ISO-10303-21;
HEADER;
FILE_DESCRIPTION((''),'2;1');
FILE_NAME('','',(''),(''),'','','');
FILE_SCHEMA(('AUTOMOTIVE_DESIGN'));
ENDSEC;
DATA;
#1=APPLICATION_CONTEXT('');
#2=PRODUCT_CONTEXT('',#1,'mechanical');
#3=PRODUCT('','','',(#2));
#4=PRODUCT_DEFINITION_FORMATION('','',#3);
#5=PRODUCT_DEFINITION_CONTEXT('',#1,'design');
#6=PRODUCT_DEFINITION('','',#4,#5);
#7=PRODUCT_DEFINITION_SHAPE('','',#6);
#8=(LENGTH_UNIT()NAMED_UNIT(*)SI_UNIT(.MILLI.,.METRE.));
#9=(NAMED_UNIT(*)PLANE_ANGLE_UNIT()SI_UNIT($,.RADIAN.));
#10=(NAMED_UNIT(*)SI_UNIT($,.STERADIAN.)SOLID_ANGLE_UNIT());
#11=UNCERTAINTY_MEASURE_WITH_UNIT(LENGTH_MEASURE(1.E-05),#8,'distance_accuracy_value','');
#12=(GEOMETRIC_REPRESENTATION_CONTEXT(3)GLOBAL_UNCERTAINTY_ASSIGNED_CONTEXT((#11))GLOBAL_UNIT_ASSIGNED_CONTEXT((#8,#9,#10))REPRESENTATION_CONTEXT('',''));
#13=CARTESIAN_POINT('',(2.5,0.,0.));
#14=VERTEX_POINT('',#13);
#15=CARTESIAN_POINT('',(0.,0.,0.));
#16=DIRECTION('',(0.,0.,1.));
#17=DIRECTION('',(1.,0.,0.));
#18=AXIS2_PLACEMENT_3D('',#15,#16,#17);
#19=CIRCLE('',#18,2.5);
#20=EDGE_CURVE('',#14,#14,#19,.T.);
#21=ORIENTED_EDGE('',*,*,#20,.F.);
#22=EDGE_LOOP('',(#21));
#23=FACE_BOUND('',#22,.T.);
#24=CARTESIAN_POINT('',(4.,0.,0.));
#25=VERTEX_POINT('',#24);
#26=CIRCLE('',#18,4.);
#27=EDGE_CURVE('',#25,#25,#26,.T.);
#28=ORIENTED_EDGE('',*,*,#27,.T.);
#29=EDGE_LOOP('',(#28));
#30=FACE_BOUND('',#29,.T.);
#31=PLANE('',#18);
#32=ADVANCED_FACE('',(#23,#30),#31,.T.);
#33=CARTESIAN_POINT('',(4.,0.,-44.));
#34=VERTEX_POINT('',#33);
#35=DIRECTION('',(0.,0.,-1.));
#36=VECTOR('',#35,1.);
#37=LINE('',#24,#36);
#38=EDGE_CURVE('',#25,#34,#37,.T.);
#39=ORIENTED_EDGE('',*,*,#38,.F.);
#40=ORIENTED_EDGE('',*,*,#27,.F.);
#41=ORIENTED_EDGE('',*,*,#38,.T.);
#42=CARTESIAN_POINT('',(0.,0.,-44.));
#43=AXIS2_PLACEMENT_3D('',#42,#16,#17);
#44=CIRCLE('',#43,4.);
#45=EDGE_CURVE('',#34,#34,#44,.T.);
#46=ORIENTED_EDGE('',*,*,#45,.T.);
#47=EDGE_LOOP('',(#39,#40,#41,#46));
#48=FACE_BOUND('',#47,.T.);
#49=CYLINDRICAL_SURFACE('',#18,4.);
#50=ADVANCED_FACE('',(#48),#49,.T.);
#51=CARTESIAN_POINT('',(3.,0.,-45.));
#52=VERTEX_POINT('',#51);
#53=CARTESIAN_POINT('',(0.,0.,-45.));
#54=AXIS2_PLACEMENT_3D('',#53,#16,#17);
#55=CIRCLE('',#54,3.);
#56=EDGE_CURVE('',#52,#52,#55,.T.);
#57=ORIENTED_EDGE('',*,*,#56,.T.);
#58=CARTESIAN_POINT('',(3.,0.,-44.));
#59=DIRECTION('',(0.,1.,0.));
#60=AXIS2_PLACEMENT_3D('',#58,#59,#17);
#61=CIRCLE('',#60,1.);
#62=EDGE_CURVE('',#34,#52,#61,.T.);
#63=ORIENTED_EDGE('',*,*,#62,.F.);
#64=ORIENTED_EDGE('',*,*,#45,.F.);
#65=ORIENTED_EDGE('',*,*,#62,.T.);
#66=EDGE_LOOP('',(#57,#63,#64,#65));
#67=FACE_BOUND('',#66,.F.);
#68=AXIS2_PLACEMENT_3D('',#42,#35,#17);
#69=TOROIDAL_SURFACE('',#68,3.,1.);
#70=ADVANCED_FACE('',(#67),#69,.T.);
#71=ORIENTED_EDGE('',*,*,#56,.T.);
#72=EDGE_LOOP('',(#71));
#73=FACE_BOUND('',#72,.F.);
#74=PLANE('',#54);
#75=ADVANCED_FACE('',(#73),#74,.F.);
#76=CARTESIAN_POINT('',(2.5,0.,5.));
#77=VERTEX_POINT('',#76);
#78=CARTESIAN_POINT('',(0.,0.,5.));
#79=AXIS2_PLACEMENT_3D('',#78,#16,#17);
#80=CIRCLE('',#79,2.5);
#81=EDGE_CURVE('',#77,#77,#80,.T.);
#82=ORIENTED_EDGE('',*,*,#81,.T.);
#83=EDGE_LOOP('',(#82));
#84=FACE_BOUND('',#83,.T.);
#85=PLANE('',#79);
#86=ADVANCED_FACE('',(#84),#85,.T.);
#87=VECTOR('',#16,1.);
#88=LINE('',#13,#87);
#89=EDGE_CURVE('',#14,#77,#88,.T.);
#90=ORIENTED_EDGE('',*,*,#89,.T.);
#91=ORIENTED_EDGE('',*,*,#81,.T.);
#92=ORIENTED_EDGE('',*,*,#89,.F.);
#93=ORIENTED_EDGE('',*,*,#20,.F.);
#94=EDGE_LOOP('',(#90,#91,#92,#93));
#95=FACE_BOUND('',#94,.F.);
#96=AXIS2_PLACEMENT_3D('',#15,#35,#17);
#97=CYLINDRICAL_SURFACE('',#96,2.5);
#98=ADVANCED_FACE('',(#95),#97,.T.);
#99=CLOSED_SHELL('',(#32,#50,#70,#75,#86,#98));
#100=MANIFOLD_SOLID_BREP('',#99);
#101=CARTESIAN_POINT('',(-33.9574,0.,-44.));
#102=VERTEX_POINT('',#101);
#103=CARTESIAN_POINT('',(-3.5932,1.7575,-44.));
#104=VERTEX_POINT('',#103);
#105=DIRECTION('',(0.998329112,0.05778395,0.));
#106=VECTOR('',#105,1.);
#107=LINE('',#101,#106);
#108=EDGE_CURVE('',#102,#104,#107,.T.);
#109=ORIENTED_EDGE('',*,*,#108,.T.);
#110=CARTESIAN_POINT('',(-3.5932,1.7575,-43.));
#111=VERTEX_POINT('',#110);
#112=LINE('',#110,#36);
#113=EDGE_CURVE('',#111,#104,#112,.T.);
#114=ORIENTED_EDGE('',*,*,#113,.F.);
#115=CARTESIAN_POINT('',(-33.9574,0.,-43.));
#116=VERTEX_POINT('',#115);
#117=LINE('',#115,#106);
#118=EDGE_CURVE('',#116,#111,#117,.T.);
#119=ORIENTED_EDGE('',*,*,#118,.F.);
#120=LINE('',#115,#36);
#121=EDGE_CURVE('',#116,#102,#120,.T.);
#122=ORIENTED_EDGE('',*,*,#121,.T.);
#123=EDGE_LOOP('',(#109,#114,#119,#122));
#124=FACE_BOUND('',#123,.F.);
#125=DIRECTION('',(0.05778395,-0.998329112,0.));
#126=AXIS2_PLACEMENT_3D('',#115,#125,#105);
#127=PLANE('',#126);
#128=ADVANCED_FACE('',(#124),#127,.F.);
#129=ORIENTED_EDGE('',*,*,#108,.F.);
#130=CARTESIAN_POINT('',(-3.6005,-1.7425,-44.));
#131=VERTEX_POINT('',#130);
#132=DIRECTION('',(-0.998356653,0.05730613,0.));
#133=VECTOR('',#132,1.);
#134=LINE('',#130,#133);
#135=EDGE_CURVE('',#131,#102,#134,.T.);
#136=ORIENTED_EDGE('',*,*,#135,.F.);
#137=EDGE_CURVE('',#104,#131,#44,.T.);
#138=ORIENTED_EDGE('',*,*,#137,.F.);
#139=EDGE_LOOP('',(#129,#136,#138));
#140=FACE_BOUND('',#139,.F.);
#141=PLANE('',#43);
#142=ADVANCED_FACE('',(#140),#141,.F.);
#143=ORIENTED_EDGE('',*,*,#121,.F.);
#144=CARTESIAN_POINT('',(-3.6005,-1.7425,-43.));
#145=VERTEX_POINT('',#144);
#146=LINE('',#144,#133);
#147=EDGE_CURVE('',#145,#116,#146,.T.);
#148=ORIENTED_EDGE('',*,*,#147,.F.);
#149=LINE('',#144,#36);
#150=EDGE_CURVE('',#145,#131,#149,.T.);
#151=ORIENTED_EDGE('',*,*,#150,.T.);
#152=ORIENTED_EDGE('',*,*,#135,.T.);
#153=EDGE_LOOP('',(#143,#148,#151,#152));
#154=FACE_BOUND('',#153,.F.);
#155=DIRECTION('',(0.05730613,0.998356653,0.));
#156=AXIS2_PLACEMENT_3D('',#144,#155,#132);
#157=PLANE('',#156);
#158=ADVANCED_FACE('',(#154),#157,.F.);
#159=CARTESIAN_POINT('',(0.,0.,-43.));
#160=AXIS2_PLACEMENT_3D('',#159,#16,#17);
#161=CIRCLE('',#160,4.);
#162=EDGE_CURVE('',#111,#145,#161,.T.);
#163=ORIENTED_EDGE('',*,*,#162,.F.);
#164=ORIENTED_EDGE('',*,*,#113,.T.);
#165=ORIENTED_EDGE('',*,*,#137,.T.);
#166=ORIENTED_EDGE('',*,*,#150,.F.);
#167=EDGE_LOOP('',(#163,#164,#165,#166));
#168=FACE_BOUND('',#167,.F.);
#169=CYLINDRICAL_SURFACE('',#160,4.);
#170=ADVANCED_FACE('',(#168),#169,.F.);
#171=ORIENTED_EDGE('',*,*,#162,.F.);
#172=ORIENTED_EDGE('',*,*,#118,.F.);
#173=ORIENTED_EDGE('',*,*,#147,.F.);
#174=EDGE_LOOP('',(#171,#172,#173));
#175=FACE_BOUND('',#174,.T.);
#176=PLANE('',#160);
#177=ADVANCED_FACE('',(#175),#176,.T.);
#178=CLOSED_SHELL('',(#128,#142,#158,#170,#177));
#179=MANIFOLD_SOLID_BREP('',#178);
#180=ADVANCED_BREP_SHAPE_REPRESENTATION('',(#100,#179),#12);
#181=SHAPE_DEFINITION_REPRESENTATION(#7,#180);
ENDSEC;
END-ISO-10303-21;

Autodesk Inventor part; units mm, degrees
ref_plane "YZ Plane" through (0, 0, 0) normal (1, 0, 0) x (0, 1, 0)
ref_plane "XZ Plane" through (0, 0, 0) normal (0, 1, 0) x (-1, 0, 0)
sketch "Sketch1" plane through (0, 0, 0) normal (0, 0, 1) x (1, 0, 0)
  circle A0 centre (0, 0) radius 4
  circle A1 centre (0, 0) radius 2.5
  dimension "d0" = 8
  dimension "d19" = 5
extrude "Extrusion4" add sketch "Sketch1" against normal blind 40 contours A0 | A1
extrude "Extrusion5" add sketch "Sketch1" against normal blind 45 contours A0 | A1
extrude "Extrusion6" add sketch "Sketch1" along normal blind 5 contours A1
ref_plane "Work Plane1" through (0, 0, -43) normal (0, 0, 1) x (1, 0, 0)
sketch "Sketch2" plane through (0, 0, -43) normal (0, 0, 1) x (1, 0, 0)
  circle A0 centre (0, 0) radius 4
  line L0 (-2.5, 2.5) -> (-2.5, -2.5)
  line L1 (-2.5, -2.5) -> (2.5, -2.5)
  line L2 (2.5, -2.5) -> (2.5, 2.5)
  line L3 (2.5, 2.5) -> (-2.5, 2.5)
  circle A1 centre (0, 0) radius 4
  line L4 (-3.6005, -1.7425) -> (-33.9574, 0)
  line L5 (-33.9574, 0) -> (-3.5932, 1.7575)
  line L6 (0, 0) -> (-33.6177, 0.0197) construction
  arc A2 (-3.5922, 1.7597) -> (-3.6005, -1.7425) centre (0.4698, -0.0011) ccw
  circle A3 centre (0, 0) radius 4
  circle A4 centre (0, 0) radius 4
  point P0 (-3.9574, 0.0094)
  point P1 (-3.5932, 1.7575)
  dimension "d9" = 30
  dimension "d10" = 3.5
extrude "Extrusion3" add sketch "Sketch2" against normal blind 1 separate body contours L4 L5 A0
fillet "Fillet2" radius 1 1 edges at (-4, 0, -45)
properties part number "202 part 3"
